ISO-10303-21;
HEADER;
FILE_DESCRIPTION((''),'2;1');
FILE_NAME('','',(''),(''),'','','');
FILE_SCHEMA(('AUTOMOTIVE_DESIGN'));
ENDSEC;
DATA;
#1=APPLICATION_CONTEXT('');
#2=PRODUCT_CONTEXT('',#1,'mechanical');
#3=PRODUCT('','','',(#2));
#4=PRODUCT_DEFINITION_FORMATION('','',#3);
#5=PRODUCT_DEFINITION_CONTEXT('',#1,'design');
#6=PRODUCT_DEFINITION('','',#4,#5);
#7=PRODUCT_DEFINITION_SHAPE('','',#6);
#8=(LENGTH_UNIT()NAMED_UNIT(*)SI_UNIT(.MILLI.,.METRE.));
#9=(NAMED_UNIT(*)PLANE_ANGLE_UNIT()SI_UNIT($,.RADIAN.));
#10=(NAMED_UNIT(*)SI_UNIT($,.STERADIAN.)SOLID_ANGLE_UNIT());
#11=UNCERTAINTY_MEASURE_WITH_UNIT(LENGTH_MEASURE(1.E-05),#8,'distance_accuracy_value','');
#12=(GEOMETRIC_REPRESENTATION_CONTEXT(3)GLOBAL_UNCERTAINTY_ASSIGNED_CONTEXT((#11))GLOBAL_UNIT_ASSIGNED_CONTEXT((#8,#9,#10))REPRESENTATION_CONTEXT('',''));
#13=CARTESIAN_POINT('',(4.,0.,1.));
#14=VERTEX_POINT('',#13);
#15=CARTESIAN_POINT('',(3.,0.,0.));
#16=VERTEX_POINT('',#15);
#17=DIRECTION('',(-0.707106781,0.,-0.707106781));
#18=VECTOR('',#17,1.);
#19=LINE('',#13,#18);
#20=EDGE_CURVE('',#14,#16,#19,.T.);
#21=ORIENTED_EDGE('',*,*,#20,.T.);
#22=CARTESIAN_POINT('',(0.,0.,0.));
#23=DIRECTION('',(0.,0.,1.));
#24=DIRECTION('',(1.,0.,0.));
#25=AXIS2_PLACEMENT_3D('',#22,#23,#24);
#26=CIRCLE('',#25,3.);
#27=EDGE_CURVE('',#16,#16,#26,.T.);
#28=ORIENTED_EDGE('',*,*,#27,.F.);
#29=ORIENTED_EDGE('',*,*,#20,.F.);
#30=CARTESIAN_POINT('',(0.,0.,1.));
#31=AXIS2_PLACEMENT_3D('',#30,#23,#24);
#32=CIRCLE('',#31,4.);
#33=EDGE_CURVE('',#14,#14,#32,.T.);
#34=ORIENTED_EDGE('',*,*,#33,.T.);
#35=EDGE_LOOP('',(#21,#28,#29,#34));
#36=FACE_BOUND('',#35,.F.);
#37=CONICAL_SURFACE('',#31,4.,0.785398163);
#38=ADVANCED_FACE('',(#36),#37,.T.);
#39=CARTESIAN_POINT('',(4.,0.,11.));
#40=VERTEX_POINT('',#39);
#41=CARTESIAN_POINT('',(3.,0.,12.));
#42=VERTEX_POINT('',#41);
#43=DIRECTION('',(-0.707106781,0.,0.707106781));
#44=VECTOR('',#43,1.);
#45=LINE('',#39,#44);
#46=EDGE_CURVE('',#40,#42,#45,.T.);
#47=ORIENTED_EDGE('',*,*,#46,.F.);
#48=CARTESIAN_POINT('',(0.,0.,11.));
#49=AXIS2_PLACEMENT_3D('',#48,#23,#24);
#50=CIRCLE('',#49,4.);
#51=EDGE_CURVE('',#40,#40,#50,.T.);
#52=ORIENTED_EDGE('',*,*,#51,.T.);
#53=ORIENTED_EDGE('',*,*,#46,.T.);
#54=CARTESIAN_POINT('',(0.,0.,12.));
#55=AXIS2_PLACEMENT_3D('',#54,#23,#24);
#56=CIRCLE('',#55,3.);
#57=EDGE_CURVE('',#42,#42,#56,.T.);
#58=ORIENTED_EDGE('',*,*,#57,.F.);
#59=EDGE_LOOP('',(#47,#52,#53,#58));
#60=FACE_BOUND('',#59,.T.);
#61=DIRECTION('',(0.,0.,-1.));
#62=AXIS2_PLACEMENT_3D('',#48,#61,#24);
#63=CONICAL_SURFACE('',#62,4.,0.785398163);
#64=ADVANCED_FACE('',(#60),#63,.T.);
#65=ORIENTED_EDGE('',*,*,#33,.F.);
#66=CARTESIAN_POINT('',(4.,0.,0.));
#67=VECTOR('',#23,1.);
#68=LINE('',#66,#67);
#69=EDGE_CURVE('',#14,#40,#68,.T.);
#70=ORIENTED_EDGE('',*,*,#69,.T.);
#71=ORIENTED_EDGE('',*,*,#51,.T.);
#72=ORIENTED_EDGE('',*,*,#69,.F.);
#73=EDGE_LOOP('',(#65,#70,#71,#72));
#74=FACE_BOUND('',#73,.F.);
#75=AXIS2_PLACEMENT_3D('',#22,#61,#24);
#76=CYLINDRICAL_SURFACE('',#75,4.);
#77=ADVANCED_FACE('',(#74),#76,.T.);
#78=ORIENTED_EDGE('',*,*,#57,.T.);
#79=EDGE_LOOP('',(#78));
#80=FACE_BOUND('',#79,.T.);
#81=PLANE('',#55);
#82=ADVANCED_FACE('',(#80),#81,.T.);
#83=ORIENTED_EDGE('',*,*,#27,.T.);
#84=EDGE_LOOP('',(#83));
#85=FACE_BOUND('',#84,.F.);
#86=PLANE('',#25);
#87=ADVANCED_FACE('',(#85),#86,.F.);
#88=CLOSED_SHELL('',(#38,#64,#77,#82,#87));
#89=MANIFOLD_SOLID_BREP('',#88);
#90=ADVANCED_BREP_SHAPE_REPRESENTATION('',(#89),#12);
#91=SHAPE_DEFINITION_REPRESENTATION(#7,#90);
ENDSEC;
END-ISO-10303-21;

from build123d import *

# Parameters (mm, degrees)
F0_R     = 4
F1_DEPTH = 12
F2_SIZE2 = 1
F2_SIZE  = 1


with BuildPart() as f1:
    # F0 (on Top) → F1 (new body)
    with BuildSketch(Plane.XY):
        Circle(F0_R)
    extrude(amount=F1_DEPTH)

    # F2
    f2_edges = [f1.edges().sort_by_distance(p)[0] for p in [
        (-4, 0, 12),
        (-4, 0, 0),
    ]]
    chamfer(f2_edges, length=F2_SIZE, length2=F2_SIZE2)


solid = f1.part
